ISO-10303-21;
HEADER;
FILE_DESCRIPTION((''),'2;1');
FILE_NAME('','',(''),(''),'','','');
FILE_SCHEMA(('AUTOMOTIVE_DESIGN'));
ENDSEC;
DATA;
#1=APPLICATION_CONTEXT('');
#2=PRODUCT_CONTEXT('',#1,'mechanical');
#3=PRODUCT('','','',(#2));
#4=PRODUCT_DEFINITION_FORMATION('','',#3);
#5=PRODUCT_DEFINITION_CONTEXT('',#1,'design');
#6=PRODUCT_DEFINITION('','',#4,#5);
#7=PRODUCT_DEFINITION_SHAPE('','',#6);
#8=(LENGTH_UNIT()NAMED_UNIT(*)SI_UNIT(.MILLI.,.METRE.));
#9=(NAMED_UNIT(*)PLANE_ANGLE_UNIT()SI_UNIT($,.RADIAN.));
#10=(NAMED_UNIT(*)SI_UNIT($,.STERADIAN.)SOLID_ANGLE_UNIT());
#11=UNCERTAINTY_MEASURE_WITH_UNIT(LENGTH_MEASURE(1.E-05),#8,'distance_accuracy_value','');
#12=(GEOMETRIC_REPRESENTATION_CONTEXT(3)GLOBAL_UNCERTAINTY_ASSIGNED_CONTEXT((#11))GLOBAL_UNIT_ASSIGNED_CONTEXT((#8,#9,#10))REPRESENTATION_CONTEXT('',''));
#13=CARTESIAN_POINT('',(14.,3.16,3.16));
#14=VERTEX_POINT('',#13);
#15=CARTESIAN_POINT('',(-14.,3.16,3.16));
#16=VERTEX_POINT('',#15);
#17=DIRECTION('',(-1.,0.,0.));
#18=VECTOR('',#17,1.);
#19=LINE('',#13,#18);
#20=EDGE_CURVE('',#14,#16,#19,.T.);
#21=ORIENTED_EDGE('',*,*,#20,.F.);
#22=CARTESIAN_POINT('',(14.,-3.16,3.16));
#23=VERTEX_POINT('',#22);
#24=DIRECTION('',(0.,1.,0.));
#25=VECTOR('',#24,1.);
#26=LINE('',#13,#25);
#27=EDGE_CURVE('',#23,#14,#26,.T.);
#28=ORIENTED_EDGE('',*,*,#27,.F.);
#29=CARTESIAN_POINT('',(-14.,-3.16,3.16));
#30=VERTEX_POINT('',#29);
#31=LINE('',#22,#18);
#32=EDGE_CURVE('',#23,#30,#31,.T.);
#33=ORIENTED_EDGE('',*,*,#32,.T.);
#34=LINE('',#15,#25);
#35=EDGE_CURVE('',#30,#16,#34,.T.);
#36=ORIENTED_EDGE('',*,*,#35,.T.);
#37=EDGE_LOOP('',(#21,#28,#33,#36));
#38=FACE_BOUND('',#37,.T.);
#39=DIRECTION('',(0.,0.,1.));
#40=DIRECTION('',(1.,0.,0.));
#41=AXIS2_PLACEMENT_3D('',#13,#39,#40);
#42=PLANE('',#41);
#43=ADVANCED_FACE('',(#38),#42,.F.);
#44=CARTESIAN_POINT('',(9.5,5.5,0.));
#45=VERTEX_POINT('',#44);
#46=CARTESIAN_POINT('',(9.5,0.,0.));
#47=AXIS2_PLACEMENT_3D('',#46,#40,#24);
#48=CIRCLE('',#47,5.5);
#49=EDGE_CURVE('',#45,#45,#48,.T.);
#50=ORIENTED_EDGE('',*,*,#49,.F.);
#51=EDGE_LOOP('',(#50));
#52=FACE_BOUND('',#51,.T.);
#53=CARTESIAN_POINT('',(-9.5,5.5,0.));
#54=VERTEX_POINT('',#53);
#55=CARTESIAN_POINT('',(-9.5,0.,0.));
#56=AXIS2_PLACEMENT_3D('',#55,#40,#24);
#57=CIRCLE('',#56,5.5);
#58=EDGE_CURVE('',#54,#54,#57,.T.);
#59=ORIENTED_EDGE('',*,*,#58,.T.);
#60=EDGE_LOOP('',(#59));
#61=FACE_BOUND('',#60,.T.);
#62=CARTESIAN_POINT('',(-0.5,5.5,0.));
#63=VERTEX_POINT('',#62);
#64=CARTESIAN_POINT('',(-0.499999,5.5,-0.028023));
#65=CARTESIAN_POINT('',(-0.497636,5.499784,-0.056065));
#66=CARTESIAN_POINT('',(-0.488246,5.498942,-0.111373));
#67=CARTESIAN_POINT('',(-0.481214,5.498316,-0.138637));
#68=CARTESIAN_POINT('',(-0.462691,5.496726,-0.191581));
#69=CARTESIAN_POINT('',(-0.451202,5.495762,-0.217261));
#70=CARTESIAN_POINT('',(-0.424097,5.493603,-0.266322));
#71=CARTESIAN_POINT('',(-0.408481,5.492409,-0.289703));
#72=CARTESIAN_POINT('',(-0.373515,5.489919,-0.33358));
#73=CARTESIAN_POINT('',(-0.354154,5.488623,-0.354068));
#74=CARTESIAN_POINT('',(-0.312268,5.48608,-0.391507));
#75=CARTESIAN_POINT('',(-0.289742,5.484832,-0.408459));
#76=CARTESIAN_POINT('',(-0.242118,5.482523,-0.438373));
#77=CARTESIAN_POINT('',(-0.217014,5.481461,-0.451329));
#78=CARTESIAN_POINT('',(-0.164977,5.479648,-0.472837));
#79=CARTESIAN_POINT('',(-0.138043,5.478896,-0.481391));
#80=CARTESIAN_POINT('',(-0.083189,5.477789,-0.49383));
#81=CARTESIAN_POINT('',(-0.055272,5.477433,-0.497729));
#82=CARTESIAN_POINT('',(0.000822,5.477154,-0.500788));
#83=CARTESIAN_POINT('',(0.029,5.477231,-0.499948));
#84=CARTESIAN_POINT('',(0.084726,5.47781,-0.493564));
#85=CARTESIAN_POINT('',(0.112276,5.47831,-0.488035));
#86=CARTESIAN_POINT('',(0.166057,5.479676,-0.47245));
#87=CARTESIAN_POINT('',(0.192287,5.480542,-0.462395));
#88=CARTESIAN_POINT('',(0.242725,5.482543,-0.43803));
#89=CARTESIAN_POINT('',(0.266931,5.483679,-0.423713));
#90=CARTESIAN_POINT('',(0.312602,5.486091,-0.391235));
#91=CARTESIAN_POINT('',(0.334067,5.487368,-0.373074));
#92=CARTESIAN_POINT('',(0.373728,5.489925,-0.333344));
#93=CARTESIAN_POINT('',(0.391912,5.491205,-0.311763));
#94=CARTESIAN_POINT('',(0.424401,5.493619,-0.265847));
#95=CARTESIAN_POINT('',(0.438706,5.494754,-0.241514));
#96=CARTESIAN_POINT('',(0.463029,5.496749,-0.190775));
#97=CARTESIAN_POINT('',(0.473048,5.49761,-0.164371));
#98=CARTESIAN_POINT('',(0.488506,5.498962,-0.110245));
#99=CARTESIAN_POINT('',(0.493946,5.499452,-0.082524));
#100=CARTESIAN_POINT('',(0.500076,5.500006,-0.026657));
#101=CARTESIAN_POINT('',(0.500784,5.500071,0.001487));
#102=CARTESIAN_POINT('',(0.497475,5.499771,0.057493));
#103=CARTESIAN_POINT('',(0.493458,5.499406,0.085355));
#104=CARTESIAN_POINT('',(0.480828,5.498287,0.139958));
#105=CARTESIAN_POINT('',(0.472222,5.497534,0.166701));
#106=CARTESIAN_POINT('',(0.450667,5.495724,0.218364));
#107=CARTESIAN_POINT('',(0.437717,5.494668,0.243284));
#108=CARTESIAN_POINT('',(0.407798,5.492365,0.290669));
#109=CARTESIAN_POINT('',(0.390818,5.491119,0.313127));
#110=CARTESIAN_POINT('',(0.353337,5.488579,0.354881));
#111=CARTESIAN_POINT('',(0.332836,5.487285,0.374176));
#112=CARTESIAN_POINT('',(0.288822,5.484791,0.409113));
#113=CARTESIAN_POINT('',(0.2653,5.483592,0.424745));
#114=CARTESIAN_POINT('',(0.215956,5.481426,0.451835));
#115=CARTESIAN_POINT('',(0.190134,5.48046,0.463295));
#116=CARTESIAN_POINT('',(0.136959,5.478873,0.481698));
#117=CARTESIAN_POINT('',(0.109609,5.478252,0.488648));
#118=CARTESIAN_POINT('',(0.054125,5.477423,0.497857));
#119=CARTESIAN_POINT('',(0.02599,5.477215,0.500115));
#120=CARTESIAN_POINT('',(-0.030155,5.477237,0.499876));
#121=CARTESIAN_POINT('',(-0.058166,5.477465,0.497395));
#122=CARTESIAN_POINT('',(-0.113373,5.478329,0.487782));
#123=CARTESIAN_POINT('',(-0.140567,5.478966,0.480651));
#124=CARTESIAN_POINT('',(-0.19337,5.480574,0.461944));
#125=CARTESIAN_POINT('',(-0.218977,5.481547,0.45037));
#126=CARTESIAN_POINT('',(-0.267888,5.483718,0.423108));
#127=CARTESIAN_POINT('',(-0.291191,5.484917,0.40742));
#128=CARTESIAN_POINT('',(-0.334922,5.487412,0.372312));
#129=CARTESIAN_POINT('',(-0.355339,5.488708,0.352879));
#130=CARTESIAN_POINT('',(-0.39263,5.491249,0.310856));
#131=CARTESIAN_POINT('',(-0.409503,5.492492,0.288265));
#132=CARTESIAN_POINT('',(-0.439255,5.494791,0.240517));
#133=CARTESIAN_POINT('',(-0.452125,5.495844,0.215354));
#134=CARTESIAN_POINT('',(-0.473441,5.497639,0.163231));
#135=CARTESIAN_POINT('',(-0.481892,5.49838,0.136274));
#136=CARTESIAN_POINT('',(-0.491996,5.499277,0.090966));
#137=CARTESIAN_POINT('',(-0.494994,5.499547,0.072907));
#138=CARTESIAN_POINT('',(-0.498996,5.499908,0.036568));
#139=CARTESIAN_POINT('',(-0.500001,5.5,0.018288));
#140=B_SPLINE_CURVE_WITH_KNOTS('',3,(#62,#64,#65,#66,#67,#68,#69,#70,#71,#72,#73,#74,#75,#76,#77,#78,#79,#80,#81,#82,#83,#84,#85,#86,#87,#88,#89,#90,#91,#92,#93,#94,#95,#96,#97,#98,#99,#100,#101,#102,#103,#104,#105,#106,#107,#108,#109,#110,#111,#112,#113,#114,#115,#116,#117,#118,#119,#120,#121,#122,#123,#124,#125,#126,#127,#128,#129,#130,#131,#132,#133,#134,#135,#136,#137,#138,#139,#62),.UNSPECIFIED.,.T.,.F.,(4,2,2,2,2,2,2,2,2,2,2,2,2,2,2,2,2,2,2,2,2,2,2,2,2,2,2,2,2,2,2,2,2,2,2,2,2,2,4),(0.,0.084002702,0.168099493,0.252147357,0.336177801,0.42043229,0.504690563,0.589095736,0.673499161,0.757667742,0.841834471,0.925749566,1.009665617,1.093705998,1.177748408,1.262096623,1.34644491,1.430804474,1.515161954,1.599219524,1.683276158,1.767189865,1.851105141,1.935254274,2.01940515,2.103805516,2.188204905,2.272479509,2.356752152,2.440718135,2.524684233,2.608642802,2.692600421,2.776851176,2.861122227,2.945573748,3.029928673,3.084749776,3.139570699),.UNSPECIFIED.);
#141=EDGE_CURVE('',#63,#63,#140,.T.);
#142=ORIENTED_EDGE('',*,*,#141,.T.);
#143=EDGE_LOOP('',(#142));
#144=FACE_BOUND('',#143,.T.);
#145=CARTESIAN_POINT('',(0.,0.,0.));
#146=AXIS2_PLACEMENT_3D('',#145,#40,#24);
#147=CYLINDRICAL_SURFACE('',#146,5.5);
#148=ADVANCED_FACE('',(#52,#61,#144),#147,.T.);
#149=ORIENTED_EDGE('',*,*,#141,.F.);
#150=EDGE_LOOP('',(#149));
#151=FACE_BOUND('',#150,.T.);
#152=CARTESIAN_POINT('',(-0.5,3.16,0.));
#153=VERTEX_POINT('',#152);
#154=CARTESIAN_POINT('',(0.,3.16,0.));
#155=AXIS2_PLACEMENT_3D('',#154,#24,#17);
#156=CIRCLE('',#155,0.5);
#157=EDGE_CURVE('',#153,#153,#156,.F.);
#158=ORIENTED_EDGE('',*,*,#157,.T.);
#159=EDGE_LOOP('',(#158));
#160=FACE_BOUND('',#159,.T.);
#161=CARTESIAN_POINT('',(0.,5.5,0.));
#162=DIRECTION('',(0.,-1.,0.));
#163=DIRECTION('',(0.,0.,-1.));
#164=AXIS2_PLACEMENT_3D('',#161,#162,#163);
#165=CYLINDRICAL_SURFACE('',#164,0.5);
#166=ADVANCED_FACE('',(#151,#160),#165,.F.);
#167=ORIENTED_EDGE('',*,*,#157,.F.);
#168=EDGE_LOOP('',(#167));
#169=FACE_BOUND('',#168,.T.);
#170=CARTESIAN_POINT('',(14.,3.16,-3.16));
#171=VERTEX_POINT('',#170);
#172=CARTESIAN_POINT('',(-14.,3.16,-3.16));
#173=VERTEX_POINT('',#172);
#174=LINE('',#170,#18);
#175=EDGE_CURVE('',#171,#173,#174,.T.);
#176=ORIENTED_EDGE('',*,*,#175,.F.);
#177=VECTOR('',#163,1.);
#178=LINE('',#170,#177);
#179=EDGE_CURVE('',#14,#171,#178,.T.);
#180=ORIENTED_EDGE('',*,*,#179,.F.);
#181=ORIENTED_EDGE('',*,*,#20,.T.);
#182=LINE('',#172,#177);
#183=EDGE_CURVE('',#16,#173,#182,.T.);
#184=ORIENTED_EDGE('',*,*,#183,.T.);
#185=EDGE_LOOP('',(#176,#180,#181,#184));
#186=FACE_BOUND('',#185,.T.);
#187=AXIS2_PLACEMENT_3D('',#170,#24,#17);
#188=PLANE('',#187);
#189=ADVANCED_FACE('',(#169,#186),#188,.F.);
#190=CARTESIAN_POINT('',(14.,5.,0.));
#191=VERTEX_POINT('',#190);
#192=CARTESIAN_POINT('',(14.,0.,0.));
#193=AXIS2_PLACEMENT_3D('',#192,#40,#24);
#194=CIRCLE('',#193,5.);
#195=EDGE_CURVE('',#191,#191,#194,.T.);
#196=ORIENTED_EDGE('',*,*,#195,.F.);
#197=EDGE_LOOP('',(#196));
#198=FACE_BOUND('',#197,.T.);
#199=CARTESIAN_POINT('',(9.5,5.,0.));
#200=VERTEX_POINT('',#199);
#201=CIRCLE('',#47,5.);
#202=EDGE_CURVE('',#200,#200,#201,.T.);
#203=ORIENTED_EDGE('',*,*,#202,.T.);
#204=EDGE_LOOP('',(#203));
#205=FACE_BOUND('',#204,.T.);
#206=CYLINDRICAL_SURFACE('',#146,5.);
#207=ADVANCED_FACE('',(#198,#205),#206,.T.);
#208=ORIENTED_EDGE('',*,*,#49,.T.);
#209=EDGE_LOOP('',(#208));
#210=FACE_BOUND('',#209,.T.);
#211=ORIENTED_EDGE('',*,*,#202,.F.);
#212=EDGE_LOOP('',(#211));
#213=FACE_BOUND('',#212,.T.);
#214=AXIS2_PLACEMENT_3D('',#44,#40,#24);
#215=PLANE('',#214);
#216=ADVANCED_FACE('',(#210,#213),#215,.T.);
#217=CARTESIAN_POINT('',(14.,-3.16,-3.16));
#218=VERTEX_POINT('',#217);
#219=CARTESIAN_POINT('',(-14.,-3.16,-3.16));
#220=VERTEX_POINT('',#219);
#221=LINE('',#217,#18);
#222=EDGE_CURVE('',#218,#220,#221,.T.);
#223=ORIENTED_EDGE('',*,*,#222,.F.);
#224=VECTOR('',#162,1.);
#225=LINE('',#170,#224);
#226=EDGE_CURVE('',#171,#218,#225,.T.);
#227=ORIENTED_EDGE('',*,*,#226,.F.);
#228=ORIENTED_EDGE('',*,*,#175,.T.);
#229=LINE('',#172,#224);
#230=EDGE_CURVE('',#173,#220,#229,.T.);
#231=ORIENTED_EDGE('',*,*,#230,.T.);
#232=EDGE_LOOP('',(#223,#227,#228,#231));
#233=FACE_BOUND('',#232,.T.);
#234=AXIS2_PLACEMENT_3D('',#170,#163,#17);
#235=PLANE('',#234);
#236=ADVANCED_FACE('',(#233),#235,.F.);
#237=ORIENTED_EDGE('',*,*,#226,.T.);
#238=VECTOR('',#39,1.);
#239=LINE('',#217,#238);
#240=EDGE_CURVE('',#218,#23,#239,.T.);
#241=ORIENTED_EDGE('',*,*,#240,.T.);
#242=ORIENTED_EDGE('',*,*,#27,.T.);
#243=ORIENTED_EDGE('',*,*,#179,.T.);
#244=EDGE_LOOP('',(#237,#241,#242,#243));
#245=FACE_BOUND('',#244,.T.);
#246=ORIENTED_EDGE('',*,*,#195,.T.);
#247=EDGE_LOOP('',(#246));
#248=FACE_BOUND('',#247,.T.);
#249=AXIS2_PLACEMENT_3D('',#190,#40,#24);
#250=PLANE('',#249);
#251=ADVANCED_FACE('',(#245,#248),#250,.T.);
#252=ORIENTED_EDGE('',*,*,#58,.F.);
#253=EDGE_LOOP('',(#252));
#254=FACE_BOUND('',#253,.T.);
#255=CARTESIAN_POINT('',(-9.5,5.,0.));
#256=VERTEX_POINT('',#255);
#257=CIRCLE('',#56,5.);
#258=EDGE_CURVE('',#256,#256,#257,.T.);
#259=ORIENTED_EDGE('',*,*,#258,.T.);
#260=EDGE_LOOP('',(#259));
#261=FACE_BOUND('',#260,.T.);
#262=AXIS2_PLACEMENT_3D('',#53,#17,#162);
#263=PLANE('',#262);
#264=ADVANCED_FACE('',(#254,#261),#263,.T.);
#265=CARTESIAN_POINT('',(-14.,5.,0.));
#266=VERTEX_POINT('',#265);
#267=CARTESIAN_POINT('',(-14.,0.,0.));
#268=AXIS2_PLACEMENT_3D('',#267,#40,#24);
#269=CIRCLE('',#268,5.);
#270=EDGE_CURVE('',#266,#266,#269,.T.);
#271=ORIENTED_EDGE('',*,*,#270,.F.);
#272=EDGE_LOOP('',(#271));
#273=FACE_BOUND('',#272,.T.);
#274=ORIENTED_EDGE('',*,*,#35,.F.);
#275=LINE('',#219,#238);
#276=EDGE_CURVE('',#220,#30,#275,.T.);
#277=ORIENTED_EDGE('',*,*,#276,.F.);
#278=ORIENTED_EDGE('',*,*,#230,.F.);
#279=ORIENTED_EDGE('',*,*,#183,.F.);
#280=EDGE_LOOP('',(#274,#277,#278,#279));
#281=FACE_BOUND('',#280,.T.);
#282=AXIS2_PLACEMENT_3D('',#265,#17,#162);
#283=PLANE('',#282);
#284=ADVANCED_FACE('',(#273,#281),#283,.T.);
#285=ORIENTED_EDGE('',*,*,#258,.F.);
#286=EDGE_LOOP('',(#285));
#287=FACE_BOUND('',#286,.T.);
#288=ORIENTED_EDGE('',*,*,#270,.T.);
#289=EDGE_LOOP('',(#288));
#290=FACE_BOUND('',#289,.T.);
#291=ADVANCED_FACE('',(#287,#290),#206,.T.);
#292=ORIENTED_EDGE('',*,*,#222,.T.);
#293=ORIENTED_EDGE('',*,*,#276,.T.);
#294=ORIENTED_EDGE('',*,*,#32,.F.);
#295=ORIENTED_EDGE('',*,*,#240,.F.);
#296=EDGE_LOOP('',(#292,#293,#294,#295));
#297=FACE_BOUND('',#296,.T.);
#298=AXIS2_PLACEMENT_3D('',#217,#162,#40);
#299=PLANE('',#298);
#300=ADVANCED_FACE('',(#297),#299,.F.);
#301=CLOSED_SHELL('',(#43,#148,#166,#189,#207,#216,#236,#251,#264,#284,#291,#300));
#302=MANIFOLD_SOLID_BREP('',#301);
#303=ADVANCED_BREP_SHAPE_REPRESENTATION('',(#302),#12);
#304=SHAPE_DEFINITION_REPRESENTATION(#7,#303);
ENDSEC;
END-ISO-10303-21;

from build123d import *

# Parameters (mm, degrees)
SKETCH2_W          = 6.32
SKETCH2_H          = 6.32
CUT_EXTRUDE1_DEPTH = 29
SKETCH3_R          = 0.5
CUT_EXTRUDE2_DEPTH = 6.5


with BuildPart() as part:
    # Sketch1 → Revolve1 (revolve)
    with BuildSketch(Plane.XY):
        Polygon((-9.5, 5.5), (9.5, 5.5), (9.5, 5), (14, 5), (14, 0), (-14, 0), (-14, 5), (-9.5, 5), align=None)
    revolve(axis=Axis((0, 0, 0), (-1, 0, 0)))

    # Sketch2 → Cut-Extrude1 (cut, through all)
    with BuildSketch(Plane.ZY.offset(14)):
        Rectangle(SKETCH2_W, SKETCH2_H)
    extrude(amount=-CUT_EXTRUDE1_DEPTH, mode=Mode.SUBTRACT)

    # Sketch3 → Cut-Extrude2 (cut, through all)
    with BuildSketch(Plane(origin=(0, 0, 0), x_dir=(1, 0, 0), z_dir=(0, 1, 0))):
        Circle(SKETCH3_R)
    extrude(amount=CUT_EXTRUDE2_DEPTH, mode=Mode.SUBTRACT)


solid = part.part
